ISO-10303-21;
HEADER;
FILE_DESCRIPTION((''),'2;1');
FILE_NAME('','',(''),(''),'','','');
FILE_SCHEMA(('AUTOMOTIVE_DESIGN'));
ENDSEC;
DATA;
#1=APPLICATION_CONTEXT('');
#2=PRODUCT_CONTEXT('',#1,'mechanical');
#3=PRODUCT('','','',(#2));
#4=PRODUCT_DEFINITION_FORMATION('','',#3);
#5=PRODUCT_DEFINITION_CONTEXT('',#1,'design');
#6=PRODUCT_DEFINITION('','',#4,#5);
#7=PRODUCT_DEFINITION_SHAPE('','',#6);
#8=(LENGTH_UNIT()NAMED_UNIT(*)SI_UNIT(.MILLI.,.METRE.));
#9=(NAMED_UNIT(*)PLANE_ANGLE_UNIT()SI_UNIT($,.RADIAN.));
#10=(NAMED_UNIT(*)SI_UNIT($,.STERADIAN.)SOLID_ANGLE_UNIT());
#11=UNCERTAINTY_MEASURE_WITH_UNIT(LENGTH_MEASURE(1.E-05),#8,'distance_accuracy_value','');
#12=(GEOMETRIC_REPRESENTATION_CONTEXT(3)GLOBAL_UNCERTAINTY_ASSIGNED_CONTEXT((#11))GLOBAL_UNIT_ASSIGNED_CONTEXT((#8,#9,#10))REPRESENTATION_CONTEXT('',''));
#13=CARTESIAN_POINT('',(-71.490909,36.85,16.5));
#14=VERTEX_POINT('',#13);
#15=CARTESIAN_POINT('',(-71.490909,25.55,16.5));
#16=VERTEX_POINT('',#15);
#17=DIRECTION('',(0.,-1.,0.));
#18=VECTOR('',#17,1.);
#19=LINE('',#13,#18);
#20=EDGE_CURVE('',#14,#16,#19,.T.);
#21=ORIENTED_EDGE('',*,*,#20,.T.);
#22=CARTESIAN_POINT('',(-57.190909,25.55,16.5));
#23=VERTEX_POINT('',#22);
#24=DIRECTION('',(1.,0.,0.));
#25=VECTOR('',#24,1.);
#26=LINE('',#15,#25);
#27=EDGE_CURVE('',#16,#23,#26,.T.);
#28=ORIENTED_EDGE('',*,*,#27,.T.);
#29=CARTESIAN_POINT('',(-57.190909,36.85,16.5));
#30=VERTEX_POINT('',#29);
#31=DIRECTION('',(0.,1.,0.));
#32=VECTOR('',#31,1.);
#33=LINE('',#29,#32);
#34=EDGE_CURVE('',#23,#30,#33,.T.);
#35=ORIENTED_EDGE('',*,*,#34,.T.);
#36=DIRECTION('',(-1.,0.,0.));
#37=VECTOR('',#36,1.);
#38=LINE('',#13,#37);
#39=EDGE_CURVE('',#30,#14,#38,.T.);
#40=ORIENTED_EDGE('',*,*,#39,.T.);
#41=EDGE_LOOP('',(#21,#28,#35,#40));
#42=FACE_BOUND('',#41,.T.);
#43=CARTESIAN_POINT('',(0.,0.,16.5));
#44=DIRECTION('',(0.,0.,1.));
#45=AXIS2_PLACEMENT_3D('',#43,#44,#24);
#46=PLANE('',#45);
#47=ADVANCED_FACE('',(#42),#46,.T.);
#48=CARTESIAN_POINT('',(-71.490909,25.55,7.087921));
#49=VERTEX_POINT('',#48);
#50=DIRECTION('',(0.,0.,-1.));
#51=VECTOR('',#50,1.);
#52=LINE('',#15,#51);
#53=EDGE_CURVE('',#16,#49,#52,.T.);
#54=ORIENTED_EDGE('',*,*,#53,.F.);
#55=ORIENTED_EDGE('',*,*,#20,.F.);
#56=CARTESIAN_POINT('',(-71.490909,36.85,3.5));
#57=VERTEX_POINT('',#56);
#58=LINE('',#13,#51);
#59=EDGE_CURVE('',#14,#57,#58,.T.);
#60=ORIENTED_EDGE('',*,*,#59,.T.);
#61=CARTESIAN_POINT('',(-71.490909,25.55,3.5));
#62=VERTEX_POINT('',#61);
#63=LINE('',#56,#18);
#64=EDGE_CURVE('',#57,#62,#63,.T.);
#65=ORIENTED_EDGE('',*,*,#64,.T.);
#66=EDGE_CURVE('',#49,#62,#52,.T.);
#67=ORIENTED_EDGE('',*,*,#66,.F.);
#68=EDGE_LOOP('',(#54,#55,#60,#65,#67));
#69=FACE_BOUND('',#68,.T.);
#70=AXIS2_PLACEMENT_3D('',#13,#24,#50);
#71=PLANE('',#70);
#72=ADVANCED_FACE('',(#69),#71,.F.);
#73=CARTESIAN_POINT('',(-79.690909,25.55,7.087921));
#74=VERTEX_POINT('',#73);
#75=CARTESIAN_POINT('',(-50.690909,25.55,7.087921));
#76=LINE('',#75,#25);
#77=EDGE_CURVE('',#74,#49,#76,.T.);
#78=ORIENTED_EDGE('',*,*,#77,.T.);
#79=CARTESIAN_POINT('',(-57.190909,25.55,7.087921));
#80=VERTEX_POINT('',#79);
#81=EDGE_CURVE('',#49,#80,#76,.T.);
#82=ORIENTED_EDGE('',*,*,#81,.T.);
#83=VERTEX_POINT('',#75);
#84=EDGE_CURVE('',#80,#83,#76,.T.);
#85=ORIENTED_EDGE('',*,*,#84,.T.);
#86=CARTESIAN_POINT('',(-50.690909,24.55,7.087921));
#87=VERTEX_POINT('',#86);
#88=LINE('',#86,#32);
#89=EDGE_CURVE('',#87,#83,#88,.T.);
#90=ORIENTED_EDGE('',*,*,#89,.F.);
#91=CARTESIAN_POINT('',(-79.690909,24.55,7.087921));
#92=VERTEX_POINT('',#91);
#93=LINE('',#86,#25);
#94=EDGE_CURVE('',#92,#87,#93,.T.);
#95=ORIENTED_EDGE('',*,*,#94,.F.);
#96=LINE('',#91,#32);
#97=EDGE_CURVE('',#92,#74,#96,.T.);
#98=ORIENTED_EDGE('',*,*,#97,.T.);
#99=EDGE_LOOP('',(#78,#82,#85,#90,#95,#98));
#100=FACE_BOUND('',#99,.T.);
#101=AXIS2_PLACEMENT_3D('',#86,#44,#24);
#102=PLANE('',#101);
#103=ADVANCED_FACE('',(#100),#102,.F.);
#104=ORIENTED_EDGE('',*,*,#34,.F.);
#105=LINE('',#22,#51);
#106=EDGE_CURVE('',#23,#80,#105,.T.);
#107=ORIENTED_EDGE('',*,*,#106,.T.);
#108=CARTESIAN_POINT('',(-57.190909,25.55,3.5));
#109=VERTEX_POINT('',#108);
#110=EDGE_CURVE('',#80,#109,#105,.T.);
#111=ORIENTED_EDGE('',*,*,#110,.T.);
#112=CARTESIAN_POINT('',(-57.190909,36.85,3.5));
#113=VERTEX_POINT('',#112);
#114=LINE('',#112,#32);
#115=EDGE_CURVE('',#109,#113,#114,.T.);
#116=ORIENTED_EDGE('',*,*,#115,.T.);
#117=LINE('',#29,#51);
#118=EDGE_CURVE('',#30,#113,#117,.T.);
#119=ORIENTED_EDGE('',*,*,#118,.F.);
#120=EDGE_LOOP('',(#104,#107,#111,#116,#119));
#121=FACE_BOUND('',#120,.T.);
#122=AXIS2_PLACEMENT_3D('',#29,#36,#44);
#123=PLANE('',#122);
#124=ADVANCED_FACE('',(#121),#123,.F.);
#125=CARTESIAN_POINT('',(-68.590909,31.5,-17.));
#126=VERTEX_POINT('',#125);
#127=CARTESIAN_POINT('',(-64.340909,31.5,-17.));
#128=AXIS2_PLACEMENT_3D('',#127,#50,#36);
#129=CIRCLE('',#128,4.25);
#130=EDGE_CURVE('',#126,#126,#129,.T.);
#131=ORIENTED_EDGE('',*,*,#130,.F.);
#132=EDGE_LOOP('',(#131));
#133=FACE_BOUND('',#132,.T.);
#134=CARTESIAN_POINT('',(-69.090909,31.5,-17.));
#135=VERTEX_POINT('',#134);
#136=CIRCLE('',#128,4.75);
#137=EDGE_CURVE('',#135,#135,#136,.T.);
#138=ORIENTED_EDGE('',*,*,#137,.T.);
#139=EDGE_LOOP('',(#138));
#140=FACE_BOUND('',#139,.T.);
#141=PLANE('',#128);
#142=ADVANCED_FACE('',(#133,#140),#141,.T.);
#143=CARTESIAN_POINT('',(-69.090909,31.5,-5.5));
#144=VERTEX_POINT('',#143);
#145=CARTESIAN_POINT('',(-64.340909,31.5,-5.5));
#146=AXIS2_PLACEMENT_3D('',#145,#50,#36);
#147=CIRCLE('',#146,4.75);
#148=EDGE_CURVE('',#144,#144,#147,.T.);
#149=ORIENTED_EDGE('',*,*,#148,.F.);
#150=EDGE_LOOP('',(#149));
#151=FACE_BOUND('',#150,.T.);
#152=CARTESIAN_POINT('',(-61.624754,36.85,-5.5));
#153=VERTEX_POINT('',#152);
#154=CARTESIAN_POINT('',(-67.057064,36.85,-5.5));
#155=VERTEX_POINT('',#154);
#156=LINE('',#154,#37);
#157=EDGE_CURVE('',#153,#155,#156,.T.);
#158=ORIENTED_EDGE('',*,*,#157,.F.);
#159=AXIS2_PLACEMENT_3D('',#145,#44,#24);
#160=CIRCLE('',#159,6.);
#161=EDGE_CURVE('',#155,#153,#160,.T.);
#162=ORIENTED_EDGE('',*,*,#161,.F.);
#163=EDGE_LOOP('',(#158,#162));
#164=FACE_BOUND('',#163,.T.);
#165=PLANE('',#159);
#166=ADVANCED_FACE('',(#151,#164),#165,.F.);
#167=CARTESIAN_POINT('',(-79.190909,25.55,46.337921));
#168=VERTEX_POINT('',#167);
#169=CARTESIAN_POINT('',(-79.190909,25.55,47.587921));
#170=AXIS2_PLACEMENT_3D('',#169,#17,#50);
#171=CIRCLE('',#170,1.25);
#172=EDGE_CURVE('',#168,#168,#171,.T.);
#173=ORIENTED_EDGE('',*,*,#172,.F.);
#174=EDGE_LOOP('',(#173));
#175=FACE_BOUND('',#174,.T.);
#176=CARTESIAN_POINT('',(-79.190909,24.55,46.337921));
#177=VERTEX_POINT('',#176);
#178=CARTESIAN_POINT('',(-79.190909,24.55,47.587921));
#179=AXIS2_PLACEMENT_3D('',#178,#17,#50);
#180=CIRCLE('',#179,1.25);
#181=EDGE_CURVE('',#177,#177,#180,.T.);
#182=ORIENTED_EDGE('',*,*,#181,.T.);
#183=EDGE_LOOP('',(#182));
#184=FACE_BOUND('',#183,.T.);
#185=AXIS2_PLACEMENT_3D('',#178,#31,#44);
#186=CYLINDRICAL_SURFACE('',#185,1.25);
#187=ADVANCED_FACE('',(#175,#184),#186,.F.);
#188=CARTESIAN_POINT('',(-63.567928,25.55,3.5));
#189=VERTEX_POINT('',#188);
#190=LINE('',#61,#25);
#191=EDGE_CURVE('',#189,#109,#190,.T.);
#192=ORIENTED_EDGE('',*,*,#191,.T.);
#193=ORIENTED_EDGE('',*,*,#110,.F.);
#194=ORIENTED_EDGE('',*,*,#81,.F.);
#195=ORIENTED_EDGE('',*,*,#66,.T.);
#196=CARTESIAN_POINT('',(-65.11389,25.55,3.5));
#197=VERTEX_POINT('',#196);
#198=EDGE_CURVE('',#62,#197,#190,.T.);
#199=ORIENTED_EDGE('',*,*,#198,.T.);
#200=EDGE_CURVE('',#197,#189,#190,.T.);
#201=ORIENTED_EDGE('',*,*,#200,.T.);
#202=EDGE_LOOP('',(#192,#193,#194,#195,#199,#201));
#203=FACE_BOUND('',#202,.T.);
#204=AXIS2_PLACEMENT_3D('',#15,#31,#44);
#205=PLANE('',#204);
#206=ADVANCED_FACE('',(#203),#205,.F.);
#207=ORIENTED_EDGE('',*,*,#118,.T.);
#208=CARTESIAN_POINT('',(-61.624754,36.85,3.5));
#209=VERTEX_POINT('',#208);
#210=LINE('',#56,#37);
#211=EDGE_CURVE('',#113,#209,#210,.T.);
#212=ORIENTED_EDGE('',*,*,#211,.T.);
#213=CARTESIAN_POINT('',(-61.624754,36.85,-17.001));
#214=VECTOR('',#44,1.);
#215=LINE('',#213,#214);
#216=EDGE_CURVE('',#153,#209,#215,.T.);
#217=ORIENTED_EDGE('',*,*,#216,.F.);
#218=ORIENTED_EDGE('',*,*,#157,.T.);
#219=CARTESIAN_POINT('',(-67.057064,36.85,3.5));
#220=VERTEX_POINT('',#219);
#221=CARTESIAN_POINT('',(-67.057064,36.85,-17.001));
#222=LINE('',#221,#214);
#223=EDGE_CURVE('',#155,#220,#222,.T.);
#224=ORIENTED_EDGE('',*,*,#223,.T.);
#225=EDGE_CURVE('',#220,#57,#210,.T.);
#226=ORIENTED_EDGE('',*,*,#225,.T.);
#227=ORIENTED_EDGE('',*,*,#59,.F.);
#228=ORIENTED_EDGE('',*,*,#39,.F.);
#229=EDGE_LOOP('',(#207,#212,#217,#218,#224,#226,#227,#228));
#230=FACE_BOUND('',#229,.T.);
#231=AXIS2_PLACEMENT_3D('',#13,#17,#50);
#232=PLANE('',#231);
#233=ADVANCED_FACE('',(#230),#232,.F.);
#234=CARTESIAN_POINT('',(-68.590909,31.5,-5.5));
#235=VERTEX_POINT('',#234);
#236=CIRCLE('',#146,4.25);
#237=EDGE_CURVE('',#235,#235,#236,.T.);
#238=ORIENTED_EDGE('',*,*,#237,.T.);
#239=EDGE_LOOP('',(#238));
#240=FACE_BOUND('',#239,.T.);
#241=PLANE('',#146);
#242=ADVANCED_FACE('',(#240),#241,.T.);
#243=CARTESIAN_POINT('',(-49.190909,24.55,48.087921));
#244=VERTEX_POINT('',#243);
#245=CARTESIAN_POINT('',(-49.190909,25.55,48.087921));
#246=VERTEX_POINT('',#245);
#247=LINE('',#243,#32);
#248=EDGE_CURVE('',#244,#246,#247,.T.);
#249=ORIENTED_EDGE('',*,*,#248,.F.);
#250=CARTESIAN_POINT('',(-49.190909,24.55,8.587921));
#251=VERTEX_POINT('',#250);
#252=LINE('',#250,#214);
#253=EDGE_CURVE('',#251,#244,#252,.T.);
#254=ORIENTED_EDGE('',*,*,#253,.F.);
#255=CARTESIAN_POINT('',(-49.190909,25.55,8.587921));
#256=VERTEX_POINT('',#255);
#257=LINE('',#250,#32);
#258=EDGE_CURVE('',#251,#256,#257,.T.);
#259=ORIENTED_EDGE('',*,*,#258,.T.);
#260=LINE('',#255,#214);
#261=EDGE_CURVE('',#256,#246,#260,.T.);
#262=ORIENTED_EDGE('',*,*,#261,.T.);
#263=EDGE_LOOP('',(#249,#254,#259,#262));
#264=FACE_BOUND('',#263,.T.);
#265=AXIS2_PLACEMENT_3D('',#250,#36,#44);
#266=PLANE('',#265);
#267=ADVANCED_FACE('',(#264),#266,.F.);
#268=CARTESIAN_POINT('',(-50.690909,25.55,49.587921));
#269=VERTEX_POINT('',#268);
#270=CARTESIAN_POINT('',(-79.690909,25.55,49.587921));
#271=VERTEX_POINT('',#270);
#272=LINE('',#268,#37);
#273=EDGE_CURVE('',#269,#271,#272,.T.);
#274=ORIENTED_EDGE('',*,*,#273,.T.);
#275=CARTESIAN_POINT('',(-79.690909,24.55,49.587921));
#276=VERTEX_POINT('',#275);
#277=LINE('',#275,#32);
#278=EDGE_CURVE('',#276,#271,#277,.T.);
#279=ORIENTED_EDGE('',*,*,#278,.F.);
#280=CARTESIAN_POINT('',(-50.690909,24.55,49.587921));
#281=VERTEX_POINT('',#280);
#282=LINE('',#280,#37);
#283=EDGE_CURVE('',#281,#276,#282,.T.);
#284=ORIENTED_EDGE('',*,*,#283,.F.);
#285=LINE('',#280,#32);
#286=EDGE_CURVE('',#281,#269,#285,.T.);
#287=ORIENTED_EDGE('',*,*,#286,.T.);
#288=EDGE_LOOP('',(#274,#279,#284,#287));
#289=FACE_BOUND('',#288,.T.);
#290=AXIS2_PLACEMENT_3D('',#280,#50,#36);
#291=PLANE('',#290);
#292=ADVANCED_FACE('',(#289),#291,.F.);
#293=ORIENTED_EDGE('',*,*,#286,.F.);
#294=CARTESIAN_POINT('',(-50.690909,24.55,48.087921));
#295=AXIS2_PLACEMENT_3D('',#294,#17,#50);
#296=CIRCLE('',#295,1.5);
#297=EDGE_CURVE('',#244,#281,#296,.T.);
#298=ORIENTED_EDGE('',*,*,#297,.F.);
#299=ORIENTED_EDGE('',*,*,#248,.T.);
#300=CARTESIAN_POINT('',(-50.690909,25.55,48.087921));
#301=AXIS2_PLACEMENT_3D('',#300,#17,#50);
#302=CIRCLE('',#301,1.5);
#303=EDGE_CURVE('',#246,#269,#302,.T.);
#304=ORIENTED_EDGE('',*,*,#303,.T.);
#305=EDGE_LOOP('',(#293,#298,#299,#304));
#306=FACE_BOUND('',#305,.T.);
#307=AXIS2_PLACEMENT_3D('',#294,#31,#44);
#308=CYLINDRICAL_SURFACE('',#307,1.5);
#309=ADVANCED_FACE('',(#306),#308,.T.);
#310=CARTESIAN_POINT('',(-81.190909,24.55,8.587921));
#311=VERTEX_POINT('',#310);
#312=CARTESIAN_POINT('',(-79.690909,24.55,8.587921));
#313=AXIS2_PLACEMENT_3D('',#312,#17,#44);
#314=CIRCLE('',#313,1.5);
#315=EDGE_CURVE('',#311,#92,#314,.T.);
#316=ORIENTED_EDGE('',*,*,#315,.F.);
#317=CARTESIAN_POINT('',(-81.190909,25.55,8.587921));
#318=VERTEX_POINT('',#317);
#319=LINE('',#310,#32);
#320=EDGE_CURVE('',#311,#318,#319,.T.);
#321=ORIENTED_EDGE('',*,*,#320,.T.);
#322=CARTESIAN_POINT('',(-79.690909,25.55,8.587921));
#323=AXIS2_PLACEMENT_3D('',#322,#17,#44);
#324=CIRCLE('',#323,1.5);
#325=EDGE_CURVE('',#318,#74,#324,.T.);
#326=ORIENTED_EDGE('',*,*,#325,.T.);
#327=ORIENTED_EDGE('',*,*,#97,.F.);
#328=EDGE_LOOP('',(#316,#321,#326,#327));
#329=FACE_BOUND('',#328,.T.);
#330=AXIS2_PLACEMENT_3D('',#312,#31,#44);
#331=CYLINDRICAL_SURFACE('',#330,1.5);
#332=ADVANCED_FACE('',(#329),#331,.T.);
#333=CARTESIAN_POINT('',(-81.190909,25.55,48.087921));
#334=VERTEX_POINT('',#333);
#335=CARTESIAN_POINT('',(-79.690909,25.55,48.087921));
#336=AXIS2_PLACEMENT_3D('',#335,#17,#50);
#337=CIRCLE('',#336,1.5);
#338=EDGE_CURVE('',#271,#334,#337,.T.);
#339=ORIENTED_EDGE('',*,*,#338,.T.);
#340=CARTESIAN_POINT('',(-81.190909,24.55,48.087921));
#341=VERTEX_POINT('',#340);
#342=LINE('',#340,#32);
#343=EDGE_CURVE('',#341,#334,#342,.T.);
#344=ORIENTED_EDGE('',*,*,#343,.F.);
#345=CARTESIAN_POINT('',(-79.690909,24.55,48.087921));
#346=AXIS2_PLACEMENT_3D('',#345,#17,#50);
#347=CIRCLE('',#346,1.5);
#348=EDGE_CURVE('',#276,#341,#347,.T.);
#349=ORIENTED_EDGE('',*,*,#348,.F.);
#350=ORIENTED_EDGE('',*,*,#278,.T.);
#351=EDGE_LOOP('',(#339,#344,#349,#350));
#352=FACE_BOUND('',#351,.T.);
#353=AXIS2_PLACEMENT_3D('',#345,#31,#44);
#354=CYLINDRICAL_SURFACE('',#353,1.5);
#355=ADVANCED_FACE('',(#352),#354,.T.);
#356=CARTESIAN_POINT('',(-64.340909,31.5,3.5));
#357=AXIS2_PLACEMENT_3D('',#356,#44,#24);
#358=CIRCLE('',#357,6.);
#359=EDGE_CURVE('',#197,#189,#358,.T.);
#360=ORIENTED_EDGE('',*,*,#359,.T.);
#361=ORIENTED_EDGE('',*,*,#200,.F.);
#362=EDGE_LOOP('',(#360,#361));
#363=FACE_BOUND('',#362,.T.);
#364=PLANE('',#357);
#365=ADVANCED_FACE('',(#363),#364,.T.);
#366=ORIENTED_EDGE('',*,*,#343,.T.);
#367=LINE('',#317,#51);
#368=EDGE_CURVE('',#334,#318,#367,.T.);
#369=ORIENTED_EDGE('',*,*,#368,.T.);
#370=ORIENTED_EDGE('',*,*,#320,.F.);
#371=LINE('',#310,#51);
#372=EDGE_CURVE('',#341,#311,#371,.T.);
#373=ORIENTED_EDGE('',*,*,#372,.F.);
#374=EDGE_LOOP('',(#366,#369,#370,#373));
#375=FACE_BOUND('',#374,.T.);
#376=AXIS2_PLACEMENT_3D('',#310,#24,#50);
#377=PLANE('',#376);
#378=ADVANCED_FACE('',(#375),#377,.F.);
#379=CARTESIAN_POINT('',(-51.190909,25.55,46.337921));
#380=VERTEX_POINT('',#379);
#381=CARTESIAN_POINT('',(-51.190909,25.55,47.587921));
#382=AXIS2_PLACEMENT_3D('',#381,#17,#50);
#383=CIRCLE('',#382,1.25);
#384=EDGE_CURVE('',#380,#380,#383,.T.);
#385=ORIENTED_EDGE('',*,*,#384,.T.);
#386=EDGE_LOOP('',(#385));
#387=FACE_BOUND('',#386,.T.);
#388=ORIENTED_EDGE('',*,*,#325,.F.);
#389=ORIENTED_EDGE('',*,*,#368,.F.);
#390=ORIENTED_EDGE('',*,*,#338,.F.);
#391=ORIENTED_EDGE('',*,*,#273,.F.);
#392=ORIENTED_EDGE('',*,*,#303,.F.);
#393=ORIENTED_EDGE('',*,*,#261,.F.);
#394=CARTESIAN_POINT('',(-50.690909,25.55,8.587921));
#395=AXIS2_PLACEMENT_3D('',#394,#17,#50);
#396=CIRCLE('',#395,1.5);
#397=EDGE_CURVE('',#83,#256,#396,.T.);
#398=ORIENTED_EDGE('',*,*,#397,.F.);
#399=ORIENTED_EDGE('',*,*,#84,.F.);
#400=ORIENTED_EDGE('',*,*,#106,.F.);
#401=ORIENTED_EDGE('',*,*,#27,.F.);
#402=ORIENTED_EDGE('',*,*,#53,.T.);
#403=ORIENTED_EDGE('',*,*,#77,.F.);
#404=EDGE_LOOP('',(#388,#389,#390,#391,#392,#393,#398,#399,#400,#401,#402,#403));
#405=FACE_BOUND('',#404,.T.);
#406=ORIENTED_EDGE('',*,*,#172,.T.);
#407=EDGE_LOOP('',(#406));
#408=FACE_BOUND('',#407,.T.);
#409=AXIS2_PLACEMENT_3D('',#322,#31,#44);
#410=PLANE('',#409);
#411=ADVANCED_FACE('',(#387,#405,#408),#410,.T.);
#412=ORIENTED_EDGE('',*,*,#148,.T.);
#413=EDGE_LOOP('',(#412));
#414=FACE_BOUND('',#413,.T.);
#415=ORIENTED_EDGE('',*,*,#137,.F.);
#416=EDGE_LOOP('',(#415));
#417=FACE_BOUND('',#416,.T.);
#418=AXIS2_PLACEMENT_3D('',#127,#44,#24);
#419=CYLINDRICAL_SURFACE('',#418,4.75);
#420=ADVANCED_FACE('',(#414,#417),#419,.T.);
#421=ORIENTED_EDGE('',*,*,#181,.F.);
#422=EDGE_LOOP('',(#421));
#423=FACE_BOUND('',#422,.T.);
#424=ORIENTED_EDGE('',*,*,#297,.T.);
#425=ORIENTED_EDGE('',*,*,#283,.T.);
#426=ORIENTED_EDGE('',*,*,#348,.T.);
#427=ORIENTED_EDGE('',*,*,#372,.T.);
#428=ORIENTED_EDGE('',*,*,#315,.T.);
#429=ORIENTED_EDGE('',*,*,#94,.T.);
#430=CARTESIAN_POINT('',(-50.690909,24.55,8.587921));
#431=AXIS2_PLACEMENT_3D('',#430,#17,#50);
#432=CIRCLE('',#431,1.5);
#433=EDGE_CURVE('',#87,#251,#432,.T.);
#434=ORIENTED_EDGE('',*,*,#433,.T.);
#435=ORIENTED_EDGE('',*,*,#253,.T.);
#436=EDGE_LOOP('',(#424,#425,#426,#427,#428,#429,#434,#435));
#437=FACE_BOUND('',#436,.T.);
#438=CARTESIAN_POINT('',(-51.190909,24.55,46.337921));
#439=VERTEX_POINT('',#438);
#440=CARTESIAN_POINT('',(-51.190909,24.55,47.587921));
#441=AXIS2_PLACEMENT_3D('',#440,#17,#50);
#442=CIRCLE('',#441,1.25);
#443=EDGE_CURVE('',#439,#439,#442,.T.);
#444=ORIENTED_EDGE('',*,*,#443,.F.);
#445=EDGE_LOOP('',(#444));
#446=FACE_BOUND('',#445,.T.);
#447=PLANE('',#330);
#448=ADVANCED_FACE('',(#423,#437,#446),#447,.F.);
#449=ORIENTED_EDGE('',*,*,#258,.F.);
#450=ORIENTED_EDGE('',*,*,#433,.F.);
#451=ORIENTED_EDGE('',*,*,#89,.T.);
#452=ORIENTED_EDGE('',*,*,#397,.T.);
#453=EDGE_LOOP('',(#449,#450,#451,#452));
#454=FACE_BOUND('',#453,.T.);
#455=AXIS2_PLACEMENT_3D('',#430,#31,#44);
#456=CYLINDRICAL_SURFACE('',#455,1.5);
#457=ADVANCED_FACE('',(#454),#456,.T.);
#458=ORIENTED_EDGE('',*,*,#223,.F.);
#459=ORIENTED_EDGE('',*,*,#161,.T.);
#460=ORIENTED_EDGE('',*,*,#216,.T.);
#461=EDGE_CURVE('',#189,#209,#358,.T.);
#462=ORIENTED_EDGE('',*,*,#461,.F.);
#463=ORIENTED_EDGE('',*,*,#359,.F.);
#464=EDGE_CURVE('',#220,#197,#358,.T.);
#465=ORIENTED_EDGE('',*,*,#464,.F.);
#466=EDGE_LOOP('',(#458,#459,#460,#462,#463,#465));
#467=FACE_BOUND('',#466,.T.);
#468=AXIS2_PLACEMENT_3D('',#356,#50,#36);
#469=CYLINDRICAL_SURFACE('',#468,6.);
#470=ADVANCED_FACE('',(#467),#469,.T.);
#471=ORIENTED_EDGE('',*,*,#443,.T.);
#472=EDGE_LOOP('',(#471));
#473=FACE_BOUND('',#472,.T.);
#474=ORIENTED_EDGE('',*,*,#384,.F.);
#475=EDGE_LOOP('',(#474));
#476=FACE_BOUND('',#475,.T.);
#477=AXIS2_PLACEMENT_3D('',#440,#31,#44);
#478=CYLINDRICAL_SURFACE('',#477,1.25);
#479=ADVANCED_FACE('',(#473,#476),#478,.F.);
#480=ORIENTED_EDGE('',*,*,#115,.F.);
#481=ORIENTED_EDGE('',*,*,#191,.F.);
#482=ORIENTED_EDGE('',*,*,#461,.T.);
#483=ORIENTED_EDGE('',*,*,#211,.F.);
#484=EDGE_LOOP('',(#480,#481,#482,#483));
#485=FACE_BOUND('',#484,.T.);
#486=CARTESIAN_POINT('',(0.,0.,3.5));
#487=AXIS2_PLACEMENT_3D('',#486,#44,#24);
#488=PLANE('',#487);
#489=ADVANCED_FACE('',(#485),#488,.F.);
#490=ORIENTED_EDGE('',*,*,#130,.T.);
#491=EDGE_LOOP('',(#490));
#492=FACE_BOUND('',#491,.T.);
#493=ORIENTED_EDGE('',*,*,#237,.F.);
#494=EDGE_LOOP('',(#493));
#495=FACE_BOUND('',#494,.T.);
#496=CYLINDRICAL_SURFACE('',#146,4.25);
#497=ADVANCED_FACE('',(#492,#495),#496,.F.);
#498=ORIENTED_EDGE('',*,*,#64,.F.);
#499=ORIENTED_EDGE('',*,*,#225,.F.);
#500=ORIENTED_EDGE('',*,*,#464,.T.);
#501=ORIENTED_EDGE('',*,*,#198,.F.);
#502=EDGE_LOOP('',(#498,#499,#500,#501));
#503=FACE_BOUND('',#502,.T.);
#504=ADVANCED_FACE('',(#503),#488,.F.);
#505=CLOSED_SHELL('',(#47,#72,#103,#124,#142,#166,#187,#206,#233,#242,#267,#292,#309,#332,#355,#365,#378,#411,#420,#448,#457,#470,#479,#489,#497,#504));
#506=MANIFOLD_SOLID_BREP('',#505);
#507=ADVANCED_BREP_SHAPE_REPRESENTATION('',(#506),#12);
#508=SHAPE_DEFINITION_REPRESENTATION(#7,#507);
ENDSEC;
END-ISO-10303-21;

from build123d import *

# Parameters (mm, degrees)
EXTRUDE_1_DEPTH      = 3.5
EXTRUDE_1_DEPTH_BACK = 5.5
SKETCH_1_R           = 6
SKETCH_2_W           = 14.3
SKETCH_2_H           = 11.3
EXTRUDE_2_DEPTH      = 13
SKETCH_3_R           = 1.25
EXTRUDE_3_DEPTH      = 1
SKETCH_4_R           = 4.75
EXTRUDE_4_DEPTH      = 11.5
SKETCH_5_R           = 4.25
CUT_EXTRUDE_1_DEPTH  = 11.5
CUT_EXTRUDE_2_REACH  = 102.61


with BuildPart() as part:
    # 草圖1 → 填料-伸長1 (new, two sides: drawn at the far end of the back side and taken through both)
    with BuildSketch(Plane.XY.offset(-EXTRUDE_1_DEPTH_BACK)):
        with Locations((-64.340909091, 31.5)):
            Circle(SKETCH_1_R)
    extrude(amount=EXTRUDE_1_DEPTH + EXTRUDE_1_DEPTH_BACK)

    # 草圖2 → 填料-伸長2 (add)
    with BuildSketch(Plane.XY.offset(3.5)):
        with Locations((-64.340909091, 31.2)):
            Rectangle(SKETCH_2_W, SKETCH_2_H)
    extrude(amount=EXTRUDE_2_DEPTH)

    # 草圖3 → 填料-伸長3 (add)
    with BuildSketch(Plane.XZ.offset(-25.55)):
        with BuildLine():
            Line((-50.690909091, 7.087920564), (-79.690909091, 7.087920564))
            ThreePointArc((-79.690909091, 7.087920564), (-80.751569263, 7.527260393), (-81.190909091, 8.587920564))
            Line((-81.190909091, 8.587920564), (-81.190909091, 48.087920564))
            ThreePointArc((-81.190909091, 48.087920564), (-80.751569263, 49.148580736), (-79.690909091, 49.587920564))
            Line((-79.690909091, 49.587920564), (-50.690909091, 49.587920564))
            ThreePointArc((-50.690909091, 49.587920564), (-49.630248919, 49.148580736), (-49.190909091, 48.087920564))
            Line((-49.190909091, 48.087920564), (-49.190909091, 8.587920564))
            ThreePointArc((-49.190909091, 8.587920564), (-49.630248919, 7.527260393), (-50.690909091, 7.087920564))
        make_face()
        with Locations(Location((-51.190909091, 47.587920564, 0), (0, 0, 270))):
            Circle(SKETCH_3_R, mode=Mode.SUBTRACT)
        with Locations(Location((-79.190909091, 47.587920564, 0), (0, 0, 270))):
            Circle(SKETCH_3_R, mode=Mode.SUBTRACT)
    extrude(amount=EXTRUDE_3_DEPTH)

    # 草圖4 → 填料-伸長4 (add)
    with BuildSketch(Plane(origin=(0, 0, -5.5), x_dir=(-1, 0, 0), z_dir=(0, 0, -1))):
        with Locations((64.340909091, 31.5)):
            Circle(SKETCH_4_R)
    extrude(amount=EXTRUDE_4_DEPTH)

    # 草圖5 → 除料-伸長1 (cut)
    with BuildSketch(Plane(origin=(0, 0, -17), x_dir=(-1, 0, 0), z_dir=(0, 0, -1))):
        with Locations((64.340909091, 31.5)):
            Circle(SKETCH_5_R)
    extrude(amount=-CUT_EXTRUDE_1_DEPTH, mode=Mode.SUBTRACT)

    # 草圖6 → 除料-伸長2 (cut, up to next)
    with BuildSketch(Plane.XY.offset(3.5), mode=Mode.PRIVATE) as cut_extrude_2_sk1:
        with BuildLine():
            Line((-67.057064462, 36.85), (-61.62475372, 36.85))
            ThreePointArc((-61.62475372, 36.85), (-64.340909091, 37.5), (-67.057064462, 36.85))
        make_face()
    cut_extrude_2_tool1 = extrude(cut_extrude_2_sk1.sketch, amount=-CUT_EXTRUDE_2_REACH, mode=Mode.PRIVATE) & part.part
    add(cut_extrude_2_tool1.solids().sort_by_distance((-64.340909, 37.111246, 3.5))[0], mode=Mode.SUBTRACT)


solid = part.part
